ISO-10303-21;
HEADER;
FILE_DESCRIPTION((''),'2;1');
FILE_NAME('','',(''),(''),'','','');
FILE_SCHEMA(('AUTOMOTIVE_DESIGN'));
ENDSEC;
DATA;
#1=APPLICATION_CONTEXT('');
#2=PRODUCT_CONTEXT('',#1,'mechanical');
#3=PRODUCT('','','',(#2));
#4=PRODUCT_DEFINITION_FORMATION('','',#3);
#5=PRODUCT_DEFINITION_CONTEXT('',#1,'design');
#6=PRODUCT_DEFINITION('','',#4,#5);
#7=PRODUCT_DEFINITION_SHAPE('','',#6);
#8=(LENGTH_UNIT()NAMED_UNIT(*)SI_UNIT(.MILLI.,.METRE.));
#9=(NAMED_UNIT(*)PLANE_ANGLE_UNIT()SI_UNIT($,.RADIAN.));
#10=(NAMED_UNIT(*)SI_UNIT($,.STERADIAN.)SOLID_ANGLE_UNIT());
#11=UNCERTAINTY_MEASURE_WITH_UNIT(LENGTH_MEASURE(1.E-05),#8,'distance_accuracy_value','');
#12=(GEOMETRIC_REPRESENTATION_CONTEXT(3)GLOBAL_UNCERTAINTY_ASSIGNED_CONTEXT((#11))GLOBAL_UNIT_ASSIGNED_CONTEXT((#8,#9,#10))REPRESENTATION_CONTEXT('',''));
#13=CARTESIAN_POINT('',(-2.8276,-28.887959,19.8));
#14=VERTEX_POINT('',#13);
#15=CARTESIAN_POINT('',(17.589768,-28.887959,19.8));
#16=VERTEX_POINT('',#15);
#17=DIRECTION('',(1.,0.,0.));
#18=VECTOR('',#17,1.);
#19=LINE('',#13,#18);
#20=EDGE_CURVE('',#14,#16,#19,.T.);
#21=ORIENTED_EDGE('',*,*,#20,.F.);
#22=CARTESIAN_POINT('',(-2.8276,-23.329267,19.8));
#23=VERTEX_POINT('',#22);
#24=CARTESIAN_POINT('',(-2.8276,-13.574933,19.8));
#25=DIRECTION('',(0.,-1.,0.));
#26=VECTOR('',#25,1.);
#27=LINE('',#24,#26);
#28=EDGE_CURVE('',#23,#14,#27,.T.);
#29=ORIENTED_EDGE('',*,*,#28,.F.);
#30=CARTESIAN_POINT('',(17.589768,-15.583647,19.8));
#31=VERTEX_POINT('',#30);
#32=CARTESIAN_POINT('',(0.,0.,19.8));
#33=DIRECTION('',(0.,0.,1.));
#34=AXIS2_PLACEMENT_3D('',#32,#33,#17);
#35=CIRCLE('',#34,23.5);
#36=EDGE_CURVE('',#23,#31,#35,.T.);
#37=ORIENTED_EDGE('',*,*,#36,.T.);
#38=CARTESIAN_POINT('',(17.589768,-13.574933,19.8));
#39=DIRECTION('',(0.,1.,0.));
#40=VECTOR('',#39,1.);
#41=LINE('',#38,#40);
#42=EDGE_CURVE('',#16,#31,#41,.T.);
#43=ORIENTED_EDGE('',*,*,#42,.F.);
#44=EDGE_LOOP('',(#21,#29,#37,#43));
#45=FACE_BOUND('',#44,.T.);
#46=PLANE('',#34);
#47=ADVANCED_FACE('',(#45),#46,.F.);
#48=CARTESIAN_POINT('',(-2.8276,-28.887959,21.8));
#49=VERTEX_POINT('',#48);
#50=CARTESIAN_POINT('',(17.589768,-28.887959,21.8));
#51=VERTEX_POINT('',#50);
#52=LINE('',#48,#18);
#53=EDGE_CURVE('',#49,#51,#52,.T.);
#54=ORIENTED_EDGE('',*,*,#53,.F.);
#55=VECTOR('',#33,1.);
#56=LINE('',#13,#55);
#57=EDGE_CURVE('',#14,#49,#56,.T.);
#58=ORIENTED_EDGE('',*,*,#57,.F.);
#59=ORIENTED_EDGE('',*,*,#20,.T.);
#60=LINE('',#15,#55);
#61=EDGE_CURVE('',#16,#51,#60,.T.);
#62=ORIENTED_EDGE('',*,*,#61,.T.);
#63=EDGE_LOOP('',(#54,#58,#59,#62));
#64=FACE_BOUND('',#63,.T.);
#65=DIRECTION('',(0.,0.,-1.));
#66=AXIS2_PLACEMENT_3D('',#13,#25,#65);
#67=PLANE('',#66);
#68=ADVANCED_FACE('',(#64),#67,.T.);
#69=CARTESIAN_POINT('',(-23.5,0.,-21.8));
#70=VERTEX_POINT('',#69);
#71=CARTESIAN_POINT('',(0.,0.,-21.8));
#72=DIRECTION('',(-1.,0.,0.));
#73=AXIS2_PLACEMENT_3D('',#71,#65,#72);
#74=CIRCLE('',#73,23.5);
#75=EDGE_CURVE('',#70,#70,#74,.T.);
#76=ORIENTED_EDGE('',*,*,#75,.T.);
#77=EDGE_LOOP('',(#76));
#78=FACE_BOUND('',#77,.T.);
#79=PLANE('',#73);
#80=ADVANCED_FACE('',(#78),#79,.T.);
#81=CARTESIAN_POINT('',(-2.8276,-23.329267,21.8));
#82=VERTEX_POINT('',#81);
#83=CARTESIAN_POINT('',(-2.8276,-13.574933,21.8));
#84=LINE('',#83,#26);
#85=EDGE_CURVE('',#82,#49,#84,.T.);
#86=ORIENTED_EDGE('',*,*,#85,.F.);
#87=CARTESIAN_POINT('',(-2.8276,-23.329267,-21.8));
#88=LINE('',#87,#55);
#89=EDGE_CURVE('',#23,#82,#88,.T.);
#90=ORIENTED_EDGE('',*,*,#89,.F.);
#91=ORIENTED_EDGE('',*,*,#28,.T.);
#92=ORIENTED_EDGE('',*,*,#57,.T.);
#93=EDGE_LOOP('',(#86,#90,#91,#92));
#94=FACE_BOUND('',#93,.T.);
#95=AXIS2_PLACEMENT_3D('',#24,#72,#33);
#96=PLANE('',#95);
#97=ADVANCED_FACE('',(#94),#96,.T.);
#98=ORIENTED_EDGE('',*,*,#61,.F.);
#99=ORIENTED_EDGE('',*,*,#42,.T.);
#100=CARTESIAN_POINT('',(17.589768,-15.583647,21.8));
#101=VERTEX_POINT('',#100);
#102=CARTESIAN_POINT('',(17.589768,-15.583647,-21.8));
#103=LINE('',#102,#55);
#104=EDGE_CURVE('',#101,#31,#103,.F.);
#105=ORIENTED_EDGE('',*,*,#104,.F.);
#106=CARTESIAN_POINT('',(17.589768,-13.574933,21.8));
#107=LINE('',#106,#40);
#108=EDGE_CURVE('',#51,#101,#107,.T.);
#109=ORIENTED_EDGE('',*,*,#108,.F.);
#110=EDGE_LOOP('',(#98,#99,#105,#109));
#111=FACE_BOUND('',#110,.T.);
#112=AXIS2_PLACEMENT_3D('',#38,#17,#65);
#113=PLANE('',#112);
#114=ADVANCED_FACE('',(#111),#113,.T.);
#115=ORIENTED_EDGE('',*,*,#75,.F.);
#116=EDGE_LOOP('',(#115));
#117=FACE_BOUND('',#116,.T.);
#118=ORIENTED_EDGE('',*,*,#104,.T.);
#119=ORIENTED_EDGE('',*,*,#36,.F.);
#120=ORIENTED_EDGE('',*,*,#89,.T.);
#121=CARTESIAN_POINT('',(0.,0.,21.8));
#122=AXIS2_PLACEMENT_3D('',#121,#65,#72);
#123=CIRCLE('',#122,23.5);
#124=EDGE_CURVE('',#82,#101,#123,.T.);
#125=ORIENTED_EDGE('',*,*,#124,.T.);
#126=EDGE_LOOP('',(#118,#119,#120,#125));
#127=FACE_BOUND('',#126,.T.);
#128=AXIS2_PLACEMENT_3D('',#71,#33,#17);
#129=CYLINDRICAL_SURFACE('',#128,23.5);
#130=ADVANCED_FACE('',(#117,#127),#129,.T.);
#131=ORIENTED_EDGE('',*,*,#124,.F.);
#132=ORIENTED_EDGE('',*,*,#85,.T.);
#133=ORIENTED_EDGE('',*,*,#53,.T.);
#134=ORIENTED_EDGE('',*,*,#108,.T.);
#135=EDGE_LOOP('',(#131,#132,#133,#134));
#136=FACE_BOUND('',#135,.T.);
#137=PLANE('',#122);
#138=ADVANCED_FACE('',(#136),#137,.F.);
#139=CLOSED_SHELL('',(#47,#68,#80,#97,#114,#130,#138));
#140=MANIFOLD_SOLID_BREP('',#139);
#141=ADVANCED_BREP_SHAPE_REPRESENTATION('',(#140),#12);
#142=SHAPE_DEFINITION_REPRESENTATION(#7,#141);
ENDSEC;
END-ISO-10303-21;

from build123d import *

# Parameters (mm, degrees)
SKETCH1_R           = 23.5
BOSS_EXTRUDE1_DEPTH = 21.8
SKETCH2_W           = 20.417368514
SKETCH2_H           = 15.313025903
BOSS_EXTRUDE2_DEPTH = 2


with BuildPart() as part:
    # Sketch1 → Boss-Extrude1 (new body, symmetric)
    with BuildSketch(Plane(origin=(-36.272491561, 0, 0), x_dir=(-1, 0, 0), z_dir=(0, 0, -1))):
        with Locations((-36.272491561, 0)):
            Circle(SKETCH1_R)
    extrude(amount=BOSS_EXTRUDE1_DEPTH, both=True)

    # Sketch2 → Boss-Extrude2 (add)
    with BuildSketch(Plane.XY.offset(21.8)):
        with Locations((7.381083838, -21.231446412)):
            Rectangle(SKETCH2_W, SKETCH2_H)
    extrude(amount=-BOSS_EXTRUDE2_DEPTH)


solid = part.part
